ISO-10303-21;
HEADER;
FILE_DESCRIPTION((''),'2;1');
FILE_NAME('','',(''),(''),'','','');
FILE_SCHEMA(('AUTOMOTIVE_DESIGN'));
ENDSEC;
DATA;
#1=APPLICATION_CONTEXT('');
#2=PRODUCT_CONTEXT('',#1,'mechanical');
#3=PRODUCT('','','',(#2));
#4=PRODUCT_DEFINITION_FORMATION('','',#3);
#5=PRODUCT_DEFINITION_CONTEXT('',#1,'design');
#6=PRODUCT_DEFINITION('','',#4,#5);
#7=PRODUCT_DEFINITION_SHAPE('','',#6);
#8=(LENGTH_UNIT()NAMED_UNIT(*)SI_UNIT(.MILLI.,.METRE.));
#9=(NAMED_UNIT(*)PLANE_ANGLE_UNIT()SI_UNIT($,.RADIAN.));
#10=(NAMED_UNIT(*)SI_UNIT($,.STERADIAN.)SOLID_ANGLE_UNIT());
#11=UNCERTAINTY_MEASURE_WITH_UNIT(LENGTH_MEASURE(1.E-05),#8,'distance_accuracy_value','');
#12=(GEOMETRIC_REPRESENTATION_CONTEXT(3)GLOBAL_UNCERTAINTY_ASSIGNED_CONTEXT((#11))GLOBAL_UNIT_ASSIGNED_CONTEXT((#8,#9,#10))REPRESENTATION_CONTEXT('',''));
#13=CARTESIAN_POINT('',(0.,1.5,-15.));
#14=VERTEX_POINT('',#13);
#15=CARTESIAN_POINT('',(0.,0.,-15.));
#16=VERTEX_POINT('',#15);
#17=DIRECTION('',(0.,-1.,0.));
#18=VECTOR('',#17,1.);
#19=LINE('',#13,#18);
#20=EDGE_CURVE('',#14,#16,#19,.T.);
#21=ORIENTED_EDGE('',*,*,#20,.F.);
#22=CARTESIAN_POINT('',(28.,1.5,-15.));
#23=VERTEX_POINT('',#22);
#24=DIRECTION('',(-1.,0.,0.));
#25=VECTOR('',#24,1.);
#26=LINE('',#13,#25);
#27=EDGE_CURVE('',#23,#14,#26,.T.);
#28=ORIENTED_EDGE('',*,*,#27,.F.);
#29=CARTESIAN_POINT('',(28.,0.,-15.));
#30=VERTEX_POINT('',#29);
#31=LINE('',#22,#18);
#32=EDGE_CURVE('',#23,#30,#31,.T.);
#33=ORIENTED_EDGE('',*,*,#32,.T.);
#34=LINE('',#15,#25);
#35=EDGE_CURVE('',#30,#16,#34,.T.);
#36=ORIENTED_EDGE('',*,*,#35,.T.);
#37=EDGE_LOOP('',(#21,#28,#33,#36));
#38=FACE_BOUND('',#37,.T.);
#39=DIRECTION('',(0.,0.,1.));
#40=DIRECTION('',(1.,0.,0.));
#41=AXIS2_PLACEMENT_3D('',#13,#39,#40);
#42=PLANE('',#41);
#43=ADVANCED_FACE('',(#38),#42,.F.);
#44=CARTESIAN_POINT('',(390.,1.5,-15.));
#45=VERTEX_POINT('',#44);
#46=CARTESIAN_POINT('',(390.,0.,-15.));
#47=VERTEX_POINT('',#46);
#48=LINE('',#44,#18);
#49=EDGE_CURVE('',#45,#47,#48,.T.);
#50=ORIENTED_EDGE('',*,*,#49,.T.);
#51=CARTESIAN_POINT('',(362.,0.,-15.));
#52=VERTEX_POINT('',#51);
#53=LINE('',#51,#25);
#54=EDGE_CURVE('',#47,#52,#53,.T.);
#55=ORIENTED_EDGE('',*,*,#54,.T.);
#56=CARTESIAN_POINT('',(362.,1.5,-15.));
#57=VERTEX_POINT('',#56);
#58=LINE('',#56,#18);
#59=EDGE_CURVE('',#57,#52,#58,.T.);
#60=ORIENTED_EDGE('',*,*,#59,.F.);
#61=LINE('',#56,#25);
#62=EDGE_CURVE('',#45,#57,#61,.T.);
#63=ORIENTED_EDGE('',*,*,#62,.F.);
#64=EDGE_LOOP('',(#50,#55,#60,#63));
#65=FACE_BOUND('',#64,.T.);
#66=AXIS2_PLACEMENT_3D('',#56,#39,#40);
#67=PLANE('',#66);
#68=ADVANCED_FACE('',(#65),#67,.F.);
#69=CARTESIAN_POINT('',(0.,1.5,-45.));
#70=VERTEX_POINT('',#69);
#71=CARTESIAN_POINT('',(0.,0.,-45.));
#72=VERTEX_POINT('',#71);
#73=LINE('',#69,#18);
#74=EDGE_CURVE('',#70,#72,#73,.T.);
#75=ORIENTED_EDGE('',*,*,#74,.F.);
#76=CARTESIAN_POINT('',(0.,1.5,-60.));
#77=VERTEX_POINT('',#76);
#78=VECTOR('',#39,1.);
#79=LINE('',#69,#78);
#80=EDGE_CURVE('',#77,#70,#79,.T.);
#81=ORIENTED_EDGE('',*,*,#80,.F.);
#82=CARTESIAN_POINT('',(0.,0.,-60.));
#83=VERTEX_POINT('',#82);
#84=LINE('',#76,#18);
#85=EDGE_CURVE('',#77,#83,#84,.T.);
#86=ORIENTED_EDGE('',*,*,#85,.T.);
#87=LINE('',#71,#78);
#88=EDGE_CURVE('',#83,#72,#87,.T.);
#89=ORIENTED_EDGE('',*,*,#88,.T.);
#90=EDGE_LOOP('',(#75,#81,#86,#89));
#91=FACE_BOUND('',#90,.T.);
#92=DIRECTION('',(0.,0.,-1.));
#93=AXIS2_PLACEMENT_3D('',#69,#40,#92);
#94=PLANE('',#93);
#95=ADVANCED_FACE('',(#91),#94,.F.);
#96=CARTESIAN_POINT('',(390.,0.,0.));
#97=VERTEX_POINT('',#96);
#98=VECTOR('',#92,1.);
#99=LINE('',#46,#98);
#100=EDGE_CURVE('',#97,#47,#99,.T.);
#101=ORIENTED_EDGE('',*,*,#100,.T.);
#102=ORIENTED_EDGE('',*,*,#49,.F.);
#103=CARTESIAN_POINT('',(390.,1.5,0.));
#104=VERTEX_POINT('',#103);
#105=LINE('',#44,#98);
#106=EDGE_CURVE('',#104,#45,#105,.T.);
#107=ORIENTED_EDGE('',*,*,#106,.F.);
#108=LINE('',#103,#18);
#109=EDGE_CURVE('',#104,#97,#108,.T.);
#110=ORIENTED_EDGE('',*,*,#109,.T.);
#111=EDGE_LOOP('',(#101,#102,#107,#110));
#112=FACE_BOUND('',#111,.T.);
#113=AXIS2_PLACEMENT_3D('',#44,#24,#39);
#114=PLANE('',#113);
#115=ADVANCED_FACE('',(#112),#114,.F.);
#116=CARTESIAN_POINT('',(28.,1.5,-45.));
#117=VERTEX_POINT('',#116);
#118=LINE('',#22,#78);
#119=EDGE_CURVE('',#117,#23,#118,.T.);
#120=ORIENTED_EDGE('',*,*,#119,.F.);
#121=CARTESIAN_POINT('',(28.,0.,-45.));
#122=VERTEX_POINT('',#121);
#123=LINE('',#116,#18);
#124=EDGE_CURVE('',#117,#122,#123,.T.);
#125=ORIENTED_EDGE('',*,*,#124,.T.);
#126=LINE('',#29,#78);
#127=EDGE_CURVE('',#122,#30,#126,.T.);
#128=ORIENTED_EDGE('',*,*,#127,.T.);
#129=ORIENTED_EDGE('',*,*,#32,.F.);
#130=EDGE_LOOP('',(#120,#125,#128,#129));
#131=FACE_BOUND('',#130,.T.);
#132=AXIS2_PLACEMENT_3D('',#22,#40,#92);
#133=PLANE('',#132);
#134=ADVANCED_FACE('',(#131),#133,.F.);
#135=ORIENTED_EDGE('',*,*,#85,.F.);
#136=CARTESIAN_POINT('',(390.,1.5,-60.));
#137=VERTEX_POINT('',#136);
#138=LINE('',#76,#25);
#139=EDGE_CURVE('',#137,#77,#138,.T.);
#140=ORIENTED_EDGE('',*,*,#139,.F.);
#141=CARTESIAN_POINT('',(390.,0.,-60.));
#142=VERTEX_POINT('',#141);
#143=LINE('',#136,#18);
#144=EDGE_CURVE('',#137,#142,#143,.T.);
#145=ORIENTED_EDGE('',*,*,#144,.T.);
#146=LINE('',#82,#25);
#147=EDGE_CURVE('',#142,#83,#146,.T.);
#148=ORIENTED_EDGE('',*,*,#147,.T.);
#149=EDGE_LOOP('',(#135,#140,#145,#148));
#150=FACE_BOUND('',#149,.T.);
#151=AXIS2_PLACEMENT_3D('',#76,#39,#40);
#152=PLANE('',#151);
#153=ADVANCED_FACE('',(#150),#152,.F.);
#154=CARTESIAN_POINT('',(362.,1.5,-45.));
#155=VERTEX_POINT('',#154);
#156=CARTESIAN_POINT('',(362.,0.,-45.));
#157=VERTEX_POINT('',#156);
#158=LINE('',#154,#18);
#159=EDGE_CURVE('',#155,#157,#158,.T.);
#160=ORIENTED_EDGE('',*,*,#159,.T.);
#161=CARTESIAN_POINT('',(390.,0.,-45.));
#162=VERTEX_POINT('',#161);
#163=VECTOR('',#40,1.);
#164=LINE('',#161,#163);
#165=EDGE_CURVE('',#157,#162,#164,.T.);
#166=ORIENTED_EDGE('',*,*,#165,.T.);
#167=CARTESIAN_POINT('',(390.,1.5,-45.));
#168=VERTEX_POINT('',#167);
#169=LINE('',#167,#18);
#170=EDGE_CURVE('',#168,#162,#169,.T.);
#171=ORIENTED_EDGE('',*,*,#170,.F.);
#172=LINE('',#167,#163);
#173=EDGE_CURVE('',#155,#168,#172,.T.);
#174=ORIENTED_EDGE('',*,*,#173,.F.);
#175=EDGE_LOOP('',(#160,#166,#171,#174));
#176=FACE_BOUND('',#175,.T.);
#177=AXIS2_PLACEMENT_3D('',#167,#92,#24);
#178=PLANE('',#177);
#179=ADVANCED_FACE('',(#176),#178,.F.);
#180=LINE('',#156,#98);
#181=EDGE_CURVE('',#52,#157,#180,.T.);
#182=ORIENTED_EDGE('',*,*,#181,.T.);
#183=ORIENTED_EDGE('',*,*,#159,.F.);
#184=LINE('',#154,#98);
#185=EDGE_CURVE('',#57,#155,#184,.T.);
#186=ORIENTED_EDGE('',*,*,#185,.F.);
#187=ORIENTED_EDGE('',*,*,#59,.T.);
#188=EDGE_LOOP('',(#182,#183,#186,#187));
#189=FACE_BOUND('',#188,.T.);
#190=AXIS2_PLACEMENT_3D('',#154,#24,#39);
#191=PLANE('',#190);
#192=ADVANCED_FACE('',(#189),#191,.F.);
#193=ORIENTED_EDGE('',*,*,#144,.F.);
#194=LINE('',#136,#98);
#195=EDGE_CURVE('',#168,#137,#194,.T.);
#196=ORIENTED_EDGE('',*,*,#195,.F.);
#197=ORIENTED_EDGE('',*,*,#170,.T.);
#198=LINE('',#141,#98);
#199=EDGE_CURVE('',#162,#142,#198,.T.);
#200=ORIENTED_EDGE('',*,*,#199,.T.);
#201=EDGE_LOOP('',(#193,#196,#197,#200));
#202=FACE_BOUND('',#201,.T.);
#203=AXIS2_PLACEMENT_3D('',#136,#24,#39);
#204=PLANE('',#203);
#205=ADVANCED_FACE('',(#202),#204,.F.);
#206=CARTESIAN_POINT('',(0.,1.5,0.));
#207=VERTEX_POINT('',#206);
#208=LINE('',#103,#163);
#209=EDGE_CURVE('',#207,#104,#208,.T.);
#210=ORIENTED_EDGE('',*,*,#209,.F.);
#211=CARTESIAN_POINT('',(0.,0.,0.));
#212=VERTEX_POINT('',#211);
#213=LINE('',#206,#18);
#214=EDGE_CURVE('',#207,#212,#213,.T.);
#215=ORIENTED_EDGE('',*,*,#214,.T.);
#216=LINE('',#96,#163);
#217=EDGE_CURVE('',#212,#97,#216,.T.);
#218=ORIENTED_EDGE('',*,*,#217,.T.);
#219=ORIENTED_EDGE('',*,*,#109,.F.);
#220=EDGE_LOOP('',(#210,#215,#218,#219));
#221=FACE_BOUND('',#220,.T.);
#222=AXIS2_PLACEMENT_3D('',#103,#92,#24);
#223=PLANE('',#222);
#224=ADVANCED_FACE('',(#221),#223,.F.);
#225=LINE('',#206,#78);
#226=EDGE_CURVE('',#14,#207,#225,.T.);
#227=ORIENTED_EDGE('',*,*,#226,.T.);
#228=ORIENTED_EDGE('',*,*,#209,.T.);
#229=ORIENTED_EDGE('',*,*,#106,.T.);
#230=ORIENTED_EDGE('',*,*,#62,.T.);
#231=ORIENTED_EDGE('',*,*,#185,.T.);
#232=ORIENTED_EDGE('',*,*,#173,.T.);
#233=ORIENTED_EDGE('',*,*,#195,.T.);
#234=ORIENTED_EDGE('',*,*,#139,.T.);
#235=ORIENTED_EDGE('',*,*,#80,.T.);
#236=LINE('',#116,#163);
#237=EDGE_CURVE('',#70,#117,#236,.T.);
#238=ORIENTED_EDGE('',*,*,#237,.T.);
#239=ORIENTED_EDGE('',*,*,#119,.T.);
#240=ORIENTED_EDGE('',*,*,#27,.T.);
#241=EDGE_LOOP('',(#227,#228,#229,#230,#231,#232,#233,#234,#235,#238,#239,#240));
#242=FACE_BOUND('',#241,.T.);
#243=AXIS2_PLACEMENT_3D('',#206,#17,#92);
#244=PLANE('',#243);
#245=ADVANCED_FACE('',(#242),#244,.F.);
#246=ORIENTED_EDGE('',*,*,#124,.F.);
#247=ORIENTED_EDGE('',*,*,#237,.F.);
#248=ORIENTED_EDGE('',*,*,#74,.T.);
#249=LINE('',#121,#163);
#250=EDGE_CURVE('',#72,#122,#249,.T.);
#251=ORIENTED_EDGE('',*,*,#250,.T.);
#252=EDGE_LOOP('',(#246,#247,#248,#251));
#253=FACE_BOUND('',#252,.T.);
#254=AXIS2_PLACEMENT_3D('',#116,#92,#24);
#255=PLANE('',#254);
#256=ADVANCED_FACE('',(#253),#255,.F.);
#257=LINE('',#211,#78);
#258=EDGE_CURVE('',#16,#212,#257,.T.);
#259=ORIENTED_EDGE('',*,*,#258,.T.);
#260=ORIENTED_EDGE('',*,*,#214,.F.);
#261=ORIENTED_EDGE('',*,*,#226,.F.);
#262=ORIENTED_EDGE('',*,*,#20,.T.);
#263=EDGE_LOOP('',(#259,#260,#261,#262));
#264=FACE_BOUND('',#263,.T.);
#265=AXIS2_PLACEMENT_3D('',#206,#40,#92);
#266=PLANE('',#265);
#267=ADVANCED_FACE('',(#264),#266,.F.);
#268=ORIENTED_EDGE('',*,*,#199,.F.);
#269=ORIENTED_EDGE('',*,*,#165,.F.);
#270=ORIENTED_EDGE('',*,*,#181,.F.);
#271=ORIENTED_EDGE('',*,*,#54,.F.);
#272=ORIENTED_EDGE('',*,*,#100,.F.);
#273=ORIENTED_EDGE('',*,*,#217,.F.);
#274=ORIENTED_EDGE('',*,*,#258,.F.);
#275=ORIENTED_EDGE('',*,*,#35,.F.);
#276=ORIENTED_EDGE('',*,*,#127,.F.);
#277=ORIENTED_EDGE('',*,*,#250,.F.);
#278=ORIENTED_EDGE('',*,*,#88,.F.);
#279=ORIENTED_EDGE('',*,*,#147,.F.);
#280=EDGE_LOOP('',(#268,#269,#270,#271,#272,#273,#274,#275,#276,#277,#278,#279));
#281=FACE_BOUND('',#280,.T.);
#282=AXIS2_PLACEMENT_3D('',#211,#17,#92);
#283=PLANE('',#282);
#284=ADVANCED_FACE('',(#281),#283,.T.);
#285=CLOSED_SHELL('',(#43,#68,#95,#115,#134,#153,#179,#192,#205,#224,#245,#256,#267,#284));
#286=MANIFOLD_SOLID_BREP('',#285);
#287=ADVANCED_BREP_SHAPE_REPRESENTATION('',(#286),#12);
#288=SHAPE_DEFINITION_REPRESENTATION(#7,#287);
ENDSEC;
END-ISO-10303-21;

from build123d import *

# Parameters (mm, degrees)
EXTRUDE_1_DEPTH = 1.5


with BuildPart() as part:
    # Эскиз1 → Бобышка-Вытянуть1 (new body)
    with BuildSketch(Plane(origin=(0, 0, 0), x_dir=(1, 0, 0), z_dir=(0, 1, 0))):
        Polygon((0, 0), (0, 15), (28, 15), (28, 45), (0, 45), (0, 60), (390, 60), (390, 45), (362, 45), (362, 15), (390, 15), (390, 0), align=None)
    extrude(amount=EXTRUDE_1_DEPTH)


solid = part.part
